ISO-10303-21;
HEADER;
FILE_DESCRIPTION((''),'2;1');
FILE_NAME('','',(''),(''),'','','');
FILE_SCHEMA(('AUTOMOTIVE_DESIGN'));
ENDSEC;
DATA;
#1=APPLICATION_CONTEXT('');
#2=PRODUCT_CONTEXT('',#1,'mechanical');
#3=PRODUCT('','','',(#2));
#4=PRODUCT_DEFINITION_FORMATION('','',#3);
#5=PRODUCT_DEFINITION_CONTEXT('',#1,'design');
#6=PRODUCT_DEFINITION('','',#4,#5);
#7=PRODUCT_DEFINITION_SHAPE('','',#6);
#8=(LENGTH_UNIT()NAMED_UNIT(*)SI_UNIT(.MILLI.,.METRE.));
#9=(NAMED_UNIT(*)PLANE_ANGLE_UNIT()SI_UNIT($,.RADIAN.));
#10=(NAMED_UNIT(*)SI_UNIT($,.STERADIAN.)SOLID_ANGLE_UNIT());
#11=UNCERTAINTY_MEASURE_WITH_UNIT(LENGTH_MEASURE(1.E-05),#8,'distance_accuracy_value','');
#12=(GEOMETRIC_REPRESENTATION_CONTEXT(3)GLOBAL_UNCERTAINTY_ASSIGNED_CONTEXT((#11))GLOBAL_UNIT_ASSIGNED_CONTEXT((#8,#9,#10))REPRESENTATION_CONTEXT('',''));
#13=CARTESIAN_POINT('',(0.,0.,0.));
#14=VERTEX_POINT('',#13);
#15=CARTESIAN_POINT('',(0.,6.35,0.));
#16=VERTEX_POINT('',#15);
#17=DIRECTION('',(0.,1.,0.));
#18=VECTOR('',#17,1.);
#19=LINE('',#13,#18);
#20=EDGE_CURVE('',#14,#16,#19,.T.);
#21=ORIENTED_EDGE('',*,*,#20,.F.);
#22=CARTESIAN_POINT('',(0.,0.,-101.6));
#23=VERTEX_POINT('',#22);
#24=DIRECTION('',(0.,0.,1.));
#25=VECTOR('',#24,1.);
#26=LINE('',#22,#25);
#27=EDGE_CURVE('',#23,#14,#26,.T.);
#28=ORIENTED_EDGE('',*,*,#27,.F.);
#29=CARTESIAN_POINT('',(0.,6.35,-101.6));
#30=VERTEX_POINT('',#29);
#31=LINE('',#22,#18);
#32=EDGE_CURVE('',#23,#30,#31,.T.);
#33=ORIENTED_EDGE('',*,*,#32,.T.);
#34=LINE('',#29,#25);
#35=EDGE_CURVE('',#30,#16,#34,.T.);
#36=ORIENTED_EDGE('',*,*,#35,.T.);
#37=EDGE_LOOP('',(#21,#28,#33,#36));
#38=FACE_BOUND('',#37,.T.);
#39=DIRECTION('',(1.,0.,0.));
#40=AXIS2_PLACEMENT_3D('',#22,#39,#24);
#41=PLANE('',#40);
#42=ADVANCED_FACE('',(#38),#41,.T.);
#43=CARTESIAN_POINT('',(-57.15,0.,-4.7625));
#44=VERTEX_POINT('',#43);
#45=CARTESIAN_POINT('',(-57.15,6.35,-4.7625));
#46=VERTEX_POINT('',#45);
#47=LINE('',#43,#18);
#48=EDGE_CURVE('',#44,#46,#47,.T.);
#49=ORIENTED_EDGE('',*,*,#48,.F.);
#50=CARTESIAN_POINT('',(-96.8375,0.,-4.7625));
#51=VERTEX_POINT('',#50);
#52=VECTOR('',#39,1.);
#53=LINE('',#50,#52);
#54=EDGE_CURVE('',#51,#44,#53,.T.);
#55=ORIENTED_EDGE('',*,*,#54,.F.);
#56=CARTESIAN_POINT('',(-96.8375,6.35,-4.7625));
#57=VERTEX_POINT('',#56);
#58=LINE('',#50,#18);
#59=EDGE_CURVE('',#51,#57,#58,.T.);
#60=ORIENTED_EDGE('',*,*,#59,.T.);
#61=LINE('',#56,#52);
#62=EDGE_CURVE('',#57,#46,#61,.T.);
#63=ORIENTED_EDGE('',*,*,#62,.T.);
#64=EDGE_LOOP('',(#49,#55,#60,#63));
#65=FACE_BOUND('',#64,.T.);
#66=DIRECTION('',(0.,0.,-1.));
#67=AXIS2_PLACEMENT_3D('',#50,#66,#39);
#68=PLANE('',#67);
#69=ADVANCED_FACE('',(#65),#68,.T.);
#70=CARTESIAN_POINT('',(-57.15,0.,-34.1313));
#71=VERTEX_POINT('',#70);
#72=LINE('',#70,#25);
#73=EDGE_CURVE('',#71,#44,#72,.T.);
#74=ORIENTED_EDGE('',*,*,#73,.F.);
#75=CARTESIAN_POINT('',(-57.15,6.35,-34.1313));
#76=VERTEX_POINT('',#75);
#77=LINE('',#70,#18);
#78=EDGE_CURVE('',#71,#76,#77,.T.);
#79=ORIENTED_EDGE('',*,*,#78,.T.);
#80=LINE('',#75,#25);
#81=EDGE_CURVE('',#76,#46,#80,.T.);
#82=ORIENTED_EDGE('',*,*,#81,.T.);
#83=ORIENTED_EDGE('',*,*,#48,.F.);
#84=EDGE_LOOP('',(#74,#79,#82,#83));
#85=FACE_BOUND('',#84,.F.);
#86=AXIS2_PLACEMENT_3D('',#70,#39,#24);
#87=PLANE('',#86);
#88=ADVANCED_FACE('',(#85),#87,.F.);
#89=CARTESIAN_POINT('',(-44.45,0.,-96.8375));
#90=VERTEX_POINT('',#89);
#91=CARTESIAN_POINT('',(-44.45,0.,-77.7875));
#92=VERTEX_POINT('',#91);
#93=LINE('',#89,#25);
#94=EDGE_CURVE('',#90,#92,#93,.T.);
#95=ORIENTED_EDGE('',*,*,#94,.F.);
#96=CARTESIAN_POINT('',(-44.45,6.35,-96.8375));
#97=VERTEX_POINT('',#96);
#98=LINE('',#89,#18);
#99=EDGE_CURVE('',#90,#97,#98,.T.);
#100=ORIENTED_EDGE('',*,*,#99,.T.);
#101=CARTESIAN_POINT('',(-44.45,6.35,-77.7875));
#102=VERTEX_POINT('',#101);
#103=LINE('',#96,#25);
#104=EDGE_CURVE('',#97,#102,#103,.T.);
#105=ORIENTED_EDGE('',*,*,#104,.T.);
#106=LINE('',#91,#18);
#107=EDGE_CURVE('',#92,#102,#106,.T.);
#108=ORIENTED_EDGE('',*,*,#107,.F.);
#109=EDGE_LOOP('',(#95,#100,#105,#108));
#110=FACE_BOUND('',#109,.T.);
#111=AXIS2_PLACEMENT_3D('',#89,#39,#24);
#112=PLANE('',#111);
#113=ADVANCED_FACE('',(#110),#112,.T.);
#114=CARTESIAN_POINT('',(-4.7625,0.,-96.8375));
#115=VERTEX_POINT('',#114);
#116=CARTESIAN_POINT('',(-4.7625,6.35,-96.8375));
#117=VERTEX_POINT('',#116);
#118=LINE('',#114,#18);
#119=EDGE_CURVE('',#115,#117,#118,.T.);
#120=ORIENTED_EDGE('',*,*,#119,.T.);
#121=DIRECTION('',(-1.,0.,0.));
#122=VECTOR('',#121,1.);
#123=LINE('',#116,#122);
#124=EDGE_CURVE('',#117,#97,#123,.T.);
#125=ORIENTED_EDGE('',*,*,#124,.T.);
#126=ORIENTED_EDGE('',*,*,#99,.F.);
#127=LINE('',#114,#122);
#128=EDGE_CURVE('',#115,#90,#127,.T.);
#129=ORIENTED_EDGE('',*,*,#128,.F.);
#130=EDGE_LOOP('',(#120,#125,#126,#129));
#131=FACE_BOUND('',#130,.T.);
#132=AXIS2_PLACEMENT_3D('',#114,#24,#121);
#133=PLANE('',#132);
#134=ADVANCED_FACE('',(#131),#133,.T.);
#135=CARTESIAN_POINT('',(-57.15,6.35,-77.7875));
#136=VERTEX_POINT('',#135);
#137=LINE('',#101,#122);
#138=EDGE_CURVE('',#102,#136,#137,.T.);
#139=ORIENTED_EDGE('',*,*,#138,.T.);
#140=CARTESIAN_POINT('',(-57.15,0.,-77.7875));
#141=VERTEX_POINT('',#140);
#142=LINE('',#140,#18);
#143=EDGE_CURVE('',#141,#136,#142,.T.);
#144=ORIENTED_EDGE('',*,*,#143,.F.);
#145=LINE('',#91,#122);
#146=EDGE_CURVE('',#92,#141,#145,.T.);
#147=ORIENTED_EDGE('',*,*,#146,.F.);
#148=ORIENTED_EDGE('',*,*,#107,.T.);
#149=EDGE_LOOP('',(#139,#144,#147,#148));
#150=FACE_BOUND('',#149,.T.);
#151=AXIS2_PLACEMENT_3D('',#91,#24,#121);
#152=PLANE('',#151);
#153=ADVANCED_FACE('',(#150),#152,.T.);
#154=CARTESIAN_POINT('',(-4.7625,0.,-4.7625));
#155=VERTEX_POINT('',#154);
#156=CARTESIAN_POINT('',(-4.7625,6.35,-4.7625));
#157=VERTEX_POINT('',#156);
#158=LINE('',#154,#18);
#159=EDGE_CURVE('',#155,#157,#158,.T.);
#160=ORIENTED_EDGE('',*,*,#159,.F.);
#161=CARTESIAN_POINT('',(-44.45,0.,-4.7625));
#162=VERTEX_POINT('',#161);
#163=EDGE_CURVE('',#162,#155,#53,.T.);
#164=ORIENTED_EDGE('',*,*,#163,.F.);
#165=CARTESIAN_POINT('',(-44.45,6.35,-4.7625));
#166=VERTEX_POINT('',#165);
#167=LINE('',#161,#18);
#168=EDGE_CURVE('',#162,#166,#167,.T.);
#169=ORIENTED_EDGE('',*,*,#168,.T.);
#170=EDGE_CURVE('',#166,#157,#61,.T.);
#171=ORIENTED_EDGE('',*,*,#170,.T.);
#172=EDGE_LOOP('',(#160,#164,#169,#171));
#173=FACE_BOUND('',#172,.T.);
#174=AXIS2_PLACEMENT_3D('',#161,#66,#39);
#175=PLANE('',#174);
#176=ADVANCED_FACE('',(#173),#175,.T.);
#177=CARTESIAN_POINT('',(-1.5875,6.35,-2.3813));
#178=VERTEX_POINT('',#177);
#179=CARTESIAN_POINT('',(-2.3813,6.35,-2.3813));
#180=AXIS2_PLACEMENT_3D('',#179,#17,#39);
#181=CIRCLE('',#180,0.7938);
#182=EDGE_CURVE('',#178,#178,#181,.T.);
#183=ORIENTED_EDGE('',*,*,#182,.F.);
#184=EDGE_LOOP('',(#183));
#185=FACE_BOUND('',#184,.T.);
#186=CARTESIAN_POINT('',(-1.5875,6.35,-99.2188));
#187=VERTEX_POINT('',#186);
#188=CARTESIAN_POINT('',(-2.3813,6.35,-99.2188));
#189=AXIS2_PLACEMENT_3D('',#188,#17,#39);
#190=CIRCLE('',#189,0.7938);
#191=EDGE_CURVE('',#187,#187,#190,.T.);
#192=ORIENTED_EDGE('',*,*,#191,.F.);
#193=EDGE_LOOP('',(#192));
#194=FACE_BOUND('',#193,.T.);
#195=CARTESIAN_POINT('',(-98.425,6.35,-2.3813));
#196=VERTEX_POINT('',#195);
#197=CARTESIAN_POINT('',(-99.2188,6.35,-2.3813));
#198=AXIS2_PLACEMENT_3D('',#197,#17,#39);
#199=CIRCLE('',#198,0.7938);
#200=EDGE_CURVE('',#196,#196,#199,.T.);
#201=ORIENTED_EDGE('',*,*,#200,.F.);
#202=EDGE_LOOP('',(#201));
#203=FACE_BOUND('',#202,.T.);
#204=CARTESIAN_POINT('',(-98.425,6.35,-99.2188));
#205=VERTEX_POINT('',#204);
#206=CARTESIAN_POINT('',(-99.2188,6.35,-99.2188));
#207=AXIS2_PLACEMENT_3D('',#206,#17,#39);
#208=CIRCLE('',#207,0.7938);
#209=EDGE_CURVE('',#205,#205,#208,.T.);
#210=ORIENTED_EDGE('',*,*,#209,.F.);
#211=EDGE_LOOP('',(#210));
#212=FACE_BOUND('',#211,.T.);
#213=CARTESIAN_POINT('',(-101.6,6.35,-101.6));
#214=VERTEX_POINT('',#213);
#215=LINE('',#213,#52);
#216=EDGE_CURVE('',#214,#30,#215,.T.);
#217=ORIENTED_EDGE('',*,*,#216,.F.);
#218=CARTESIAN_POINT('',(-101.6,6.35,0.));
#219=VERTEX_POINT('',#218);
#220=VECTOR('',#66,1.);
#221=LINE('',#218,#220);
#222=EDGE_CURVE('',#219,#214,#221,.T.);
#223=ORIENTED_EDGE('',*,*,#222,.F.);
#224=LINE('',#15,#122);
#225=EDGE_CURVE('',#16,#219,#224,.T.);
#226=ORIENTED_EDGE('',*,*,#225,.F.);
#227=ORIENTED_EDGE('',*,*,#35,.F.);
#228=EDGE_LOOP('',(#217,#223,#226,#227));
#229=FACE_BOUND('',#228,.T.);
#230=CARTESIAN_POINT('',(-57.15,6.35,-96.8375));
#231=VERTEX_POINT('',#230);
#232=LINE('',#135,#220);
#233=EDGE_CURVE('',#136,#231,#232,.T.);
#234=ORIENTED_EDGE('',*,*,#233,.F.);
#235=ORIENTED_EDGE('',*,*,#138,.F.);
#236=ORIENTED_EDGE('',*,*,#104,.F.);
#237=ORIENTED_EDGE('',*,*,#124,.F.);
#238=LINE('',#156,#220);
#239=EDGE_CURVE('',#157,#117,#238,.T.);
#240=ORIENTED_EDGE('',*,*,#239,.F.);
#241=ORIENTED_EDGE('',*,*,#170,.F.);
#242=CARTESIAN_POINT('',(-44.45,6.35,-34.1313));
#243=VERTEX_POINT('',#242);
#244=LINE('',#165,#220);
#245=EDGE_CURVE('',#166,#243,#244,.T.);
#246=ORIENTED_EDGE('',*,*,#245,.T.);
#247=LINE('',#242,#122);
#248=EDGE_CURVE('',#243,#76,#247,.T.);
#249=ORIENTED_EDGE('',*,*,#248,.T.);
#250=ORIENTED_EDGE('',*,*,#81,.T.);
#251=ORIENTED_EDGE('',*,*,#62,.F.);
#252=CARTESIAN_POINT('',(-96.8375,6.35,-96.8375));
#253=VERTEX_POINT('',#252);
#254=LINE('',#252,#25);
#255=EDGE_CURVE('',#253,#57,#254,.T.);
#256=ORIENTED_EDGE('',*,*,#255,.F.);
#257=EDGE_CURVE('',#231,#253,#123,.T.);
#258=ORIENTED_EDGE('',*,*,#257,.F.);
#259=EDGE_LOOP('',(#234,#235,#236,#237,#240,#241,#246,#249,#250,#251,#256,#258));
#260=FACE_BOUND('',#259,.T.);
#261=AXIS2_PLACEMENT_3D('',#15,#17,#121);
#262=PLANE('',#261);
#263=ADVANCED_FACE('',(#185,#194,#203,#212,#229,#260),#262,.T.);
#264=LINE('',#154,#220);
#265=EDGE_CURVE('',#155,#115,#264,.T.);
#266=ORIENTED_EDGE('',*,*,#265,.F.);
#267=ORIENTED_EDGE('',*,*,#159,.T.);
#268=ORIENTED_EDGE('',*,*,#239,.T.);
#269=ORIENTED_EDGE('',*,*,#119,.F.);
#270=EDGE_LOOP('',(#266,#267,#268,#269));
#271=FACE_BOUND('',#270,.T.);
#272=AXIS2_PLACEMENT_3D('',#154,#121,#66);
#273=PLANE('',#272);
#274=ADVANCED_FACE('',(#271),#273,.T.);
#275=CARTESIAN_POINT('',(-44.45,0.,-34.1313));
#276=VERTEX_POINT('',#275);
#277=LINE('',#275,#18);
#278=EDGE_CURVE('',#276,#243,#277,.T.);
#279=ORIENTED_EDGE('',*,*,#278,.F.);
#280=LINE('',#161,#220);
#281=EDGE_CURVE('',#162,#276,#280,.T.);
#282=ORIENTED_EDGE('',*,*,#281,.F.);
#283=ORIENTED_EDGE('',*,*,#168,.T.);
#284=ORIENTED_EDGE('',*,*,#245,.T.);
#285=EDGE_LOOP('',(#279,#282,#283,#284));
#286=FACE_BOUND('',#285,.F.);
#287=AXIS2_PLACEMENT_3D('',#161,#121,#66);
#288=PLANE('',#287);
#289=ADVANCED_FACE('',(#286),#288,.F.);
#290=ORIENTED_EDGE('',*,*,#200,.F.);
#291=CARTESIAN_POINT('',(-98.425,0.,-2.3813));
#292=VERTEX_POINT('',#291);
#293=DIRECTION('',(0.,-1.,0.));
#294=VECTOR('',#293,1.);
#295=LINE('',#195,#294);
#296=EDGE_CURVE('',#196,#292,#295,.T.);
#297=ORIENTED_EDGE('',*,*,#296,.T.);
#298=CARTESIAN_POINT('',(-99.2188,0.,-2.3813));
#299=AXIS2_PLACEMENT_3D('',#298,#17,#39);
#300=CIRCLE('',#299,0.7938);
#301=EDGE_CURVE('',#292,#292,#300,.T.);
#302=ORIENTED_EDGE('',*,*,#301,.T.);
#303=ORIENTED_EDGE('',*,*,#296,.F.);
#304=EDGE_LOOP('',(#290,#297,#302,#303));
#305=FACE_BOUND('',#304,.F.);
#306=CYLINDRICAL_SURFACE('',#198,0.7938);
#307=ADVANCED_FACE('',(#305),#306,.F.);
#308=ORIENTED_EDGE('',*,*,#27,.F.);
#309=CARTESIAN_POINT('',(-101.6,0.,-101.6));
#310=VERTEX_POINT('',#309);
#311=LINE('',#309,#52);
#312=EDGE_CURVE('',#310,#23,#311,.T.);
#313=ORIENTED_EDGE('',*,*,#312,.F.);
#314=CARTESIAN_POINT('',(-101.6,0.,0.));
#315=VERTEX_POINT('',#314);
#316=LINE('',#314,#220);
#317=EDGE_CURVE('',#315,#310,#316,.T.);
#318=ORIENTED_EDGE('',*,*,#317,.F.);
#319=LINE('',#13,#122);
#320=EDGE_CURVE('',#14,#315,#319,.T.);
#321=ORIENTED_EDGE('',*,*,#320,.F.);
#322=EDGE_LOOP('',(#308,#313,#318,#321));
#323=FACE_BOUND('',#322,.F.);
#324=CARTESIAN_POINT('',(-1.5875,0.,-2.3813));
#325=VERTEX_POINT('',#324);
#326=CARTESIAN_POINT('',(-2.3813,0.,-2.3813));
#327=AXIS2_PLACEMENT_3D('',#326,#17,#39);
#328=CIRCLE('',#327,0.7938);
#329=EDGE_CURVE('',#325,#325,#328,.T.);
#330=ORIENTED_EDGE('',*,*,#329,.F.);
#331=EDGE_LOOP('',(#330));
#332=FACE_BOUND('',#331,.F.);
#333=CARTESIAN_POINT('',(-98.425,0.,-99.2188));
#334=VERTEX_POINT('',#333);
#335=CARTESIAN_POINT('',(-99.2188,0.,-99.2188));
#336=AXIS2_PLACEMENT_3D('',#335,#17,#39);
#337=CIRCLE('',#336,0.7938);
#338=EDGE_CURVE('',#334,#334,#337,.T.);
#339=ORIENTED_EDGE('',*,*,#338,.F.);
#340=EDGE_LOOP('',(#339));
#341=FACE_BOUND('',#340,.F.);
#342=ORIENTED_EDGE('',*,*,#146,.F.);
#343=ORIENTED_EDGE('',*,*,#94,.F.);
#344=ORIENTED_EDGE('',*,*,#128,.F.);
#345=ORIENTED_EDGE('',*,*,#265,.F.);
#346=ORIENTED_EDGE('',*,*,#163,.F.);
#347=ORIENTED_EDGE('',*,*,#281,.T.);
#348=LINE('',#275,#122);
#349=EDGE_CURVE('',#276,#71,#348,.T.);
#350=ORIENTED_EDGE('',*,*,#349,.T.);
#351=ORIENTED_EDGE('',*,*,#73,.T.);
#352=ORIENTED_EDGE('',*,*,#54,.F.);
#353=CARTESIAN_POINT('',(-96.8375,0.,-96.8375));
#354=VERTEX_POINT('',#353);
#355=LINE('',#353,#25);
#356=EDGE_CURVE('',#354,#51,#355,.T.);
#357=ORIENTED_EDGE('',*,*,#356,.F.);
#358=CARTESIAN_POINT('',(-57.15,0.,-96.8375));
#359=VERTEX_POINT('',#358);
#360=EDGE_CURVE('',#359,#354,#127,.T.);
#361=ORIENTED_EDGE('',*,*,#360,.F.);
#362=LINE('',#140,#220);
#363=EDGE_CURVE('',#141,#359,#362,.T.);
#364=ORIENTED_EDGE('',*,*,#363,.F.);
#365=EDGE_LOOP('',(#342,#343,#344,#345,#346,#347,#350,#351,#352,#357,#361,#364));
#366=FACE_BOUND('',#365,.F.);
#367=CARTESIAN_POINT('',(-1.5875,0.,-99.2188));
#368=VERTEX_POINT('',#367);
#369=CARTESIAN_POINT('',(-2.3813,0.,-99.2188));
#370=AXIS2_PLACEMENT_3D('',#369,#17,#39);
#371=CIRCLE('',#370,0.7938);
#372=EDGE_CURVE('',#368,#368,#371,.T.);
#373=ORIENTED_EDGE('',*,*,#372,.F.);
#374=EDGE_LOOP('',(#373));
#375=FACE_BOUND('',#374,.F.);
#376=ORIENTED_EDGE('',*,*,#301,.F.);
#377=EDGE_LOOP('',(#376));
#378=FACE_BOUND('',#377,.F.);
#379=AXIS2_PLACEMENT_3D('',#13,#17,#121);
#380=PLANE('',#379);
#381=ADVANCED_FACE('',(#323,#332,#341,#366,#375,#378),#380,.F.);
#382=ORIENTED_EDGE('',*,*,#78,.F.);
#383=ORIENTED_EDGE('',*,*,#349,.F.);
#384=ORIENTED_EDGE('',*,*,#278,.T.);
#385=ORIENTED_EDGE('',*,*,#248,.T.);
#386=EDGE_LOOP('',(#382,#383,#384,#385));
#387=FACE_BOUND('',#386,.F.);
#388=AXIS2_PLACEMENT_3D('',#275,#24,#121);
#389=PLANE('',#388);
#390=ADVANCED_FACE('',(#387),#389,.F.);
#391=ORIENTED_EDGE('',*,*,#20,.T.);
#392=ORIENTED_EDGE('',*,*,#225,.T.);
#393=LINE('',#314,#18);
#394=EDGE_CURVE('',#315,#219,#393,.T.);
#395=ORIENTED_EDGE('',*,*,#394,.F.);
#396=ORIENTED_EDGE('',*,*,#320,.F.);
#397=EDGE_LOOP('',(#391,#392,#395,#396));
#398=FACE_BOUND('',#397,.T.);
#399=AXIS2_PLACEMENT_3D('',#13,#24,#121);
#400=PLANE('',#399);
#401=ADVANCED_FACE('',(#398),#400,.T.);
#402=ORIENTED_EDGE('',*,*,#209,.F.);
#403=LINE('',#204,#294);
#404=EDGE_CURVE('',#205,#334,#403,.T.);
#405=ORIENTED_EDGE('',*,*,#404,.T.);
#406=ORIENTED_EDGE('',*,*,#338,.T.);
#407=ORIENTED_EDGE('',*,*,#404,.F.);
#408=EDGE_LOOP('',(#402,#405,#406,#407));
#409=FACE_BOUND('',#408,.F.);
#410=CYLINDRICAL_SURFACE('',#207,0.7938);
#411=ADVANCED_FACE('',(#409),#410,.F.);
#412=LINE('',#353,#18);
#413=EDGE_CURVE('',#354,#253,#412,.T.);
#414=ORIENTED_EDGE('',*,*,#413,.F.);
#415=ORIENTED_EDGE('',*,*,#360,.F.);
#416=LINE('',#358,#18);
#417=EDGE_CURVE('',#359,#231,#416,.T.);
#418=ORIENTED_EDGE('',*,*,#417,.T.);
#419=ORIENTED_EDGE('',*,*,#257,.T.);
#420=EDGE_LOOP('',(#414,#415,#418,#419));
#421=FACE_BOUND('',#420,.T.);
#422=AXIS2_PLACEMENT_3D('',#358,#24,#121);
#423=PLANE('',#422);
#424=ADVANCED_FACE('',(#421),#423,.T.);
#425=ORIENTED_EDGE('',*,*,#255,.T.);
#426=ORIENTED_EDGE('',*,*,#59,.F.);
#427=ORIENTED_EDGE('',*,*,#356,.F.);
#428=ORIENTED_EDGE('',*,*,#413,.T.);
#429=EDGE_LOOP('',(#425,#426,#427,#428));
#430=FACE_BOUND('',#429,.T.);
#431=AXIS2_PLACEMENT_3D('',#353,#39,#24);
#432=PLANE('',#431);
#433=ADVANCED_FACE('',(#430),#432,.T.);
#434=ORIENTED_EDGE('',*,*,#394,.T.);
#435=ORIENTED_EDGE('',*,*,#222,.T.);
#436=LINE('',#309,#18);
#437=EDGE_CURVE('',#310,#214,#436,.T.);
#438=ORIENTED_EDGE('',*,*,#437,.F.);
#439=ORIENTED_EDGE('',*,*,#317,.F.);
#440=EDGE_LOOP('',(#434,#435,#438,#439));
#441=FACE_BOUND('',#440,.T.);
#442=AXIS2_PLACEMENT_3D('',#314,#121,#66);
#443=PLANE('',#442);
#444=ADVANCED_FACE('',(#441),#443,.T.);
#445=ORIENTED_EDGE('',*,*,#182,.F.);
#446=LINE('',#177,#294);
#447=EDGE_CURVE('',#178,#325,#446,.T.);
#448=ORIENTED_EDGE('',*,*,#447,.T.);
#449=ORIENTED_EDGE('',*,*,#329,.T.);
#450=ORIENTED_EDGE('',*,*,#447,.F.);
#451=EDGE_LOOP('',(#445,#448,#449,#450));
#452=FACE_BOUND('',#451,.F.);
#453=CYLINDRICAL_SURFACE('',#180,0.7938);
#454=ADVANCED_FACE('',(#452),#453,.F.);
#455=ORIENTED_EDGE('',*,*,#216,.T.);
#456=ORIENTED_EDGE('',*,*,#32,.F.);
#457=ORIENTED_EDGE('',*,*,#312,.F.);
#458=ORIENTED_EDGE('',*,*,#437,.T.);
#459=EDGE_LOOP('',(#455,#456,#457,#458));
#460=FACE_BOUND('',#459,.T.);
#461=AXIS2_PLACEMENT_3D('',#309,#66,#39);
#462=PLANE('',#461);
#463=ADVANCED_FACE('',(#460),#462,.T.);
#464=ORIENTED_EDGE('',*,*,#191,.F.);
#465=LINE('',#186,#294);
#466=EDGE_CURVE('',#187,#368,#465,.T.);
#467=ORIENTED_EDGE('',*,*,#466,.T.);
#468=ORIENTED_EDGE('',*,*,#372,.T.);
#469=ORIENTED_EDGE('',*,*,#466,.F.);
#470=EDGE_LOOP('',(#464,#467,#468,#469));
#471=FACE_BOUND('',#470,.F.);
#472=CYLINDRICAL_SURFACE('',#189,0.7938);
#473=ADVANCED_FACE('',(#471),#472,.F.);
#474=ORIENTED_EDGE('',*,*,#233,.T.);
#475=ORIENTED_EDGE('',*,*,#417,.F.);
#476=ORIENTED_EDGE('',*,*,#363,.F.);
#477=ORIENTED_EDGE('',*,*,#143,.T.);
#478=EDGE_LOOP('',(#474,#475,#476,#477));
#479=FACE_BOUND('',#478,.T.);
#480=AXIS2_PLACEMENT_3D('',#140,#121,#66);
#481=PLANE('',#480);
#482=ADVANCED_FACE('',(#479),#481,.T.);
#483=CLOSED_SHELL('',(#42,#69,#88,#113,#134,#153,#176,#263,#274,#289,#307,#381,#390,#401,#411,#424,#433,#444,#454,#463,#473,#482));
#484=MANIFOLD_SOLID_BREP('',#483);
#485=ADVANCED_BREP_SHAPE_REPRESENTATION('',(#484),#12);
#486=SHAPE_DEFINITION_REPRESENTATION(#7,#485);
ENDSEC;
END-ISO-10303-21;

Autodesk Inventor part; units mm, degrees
ref_plane "YZ Plane" through (0, 0, 0) normal (1, 0, 0) x (0, 1, 0)
ref_plane "XZ Plane" through (0, 0, 0) normal (0, 1, 0) x (-1, 0, 0)
ref_plane "XY Plane" through (0, 0, 0) normal (0, 0, 1) x (1, 0, 0)
sketch "Sketch1" plane through (0, 0, 0) normal (0, 1, 0) x (-1, 0, 0)
  line L0 (0, 0) -> (101.6, 0)
  line L1 (101.6, 0) -> (101.6, -101.6)
  line L2 (101.6, -101.6) -> (0, -101.6)
  line L3 (0, -101.6) -> (0, 0)
  line L4 (4.7625, -96.8375) -> (96.8375, -96.8375)
  line L5 (96.8375, -96.8375) -> (96.8375, -4.7625)
  line L6 (96.8375, -4.7625) -> (4.7625, -4.7625)
  line L7 (4.7625, -4.7625) -> (4.7625, -96.8375)
  line L8 (57.15, -4.7625) -> (44.45, -4.7625)
  line L9 (44.45, -4.7625) -> (44.45, -34.1313)
  line L10 (44.45, -34.1313) -> (57.15, -34.1313)
  line L11 (57.15, -34.1313) -> (57.15, -4.7625)
  line L12 (57.15, -96.8375) -> (44.45, -96.8375)
  line L13 (44.45, -96.8375) -> (44.45, -77.7875)
  line L14 (44.45, -77.7875) -> (57.15, -77.7875)
  line L15 (57.15, -77.7875) -> (57.15, -96.8375)
  line L16 (57.15, -34.1312) -> (44.45, -34.1312)
  line L17 (44.45, -34.1312) -> (44.45, -57.15) construction
  line L18 (44.45, -57.15) -> (57.15, -57.15) construction
  line L19 (57.15, -57.15) -> (57.15, -34.1312) construction
  point P0 (50.8, -50.8)
  point P1 (0, -50.8)
  point P2 (50.8, 0)
  point P3 (50.8, -4.7625)
  point P4 (50.8, -4.7625)
  point P5 (50.8, -96.8375)
  point P6 (50.8, -96.8375)
  point P7 (50.8, -34.1312)
  point P8 (50.8, -34.1313)
  point P9 (50.8, -50.8)
  point P10 (50.8, -57.15)
  dimension "d0" = 101.6
  dimension "d1" = 101.6
  dimension "d2" = 4.7625
  dimension "d13" = 12.7
  dimension "d15" = 29.3687
  dimension "d16" = 12.7
  dimension "d17" = 23.0188
  dimension "d18" = 6.35
  dimension "d33" = 19.05
extrude "Extrusion1" add sketch "Sketch1" along normal blind 6.35 contours L0 L1 L2 L3 | L13 L14 L15 L4 | L6 L11 L10 L9
sketch "Sketch2" plane through (0, 6.35, 0) normal (0, 1, 0) x (1, 0, 0)
  line L0 (0, 101.6) -> (-101.6, 101.6) projected
  line L1 (-101.6, 101.6) -> (-101.6, 0) projected
  line L2 (-101.6, 0) -> (0, 0) projected
  line L3 (0, 0) -> (0, 101.6) projected
  circle A0 centre (-99.2188, 99.2188) radius 0.7938
  circle A1 centre (-99.2188, 2.3813) radius 0.7938
  circle A2 centre (-2.3813, 99.2188) radius 0.7938
  circle A3 centre (-2.3813, 2.3813) radius 0.7938
  dimension "d20" = 1.5875
  dimension "d21" = 2.3813
  dimension "d22" = 2.3813
  dimension "d25" = 96.8375
  dimension "d28" = 96.8375
extrude "Extrusion2" cut sketch "Sketch2" against normal blind 6.35 contours A0 | A1 | A2 | A3
sketch "Sketch3" plane through (0, 6.35, 0) normal (0, 1, 0) x (1, 0, 0)
  circle A0 centre (-99.2188, 99.2188) radius 0.7938 projected
  circle A1 centre (-99.2188, 2.3813) radius 0.7938 projected
  circle A2 centre (-2.3813, 99.2188) radius 0.7938 projected
  circle A3 centre (-2.3813, 2.3813) radius 0.7938 projected
  line L0 (0, 101.6) -> (-101.6, 101.6) projected
  line L1 (-101.6, 101.6) -> (-101.6, 0) projected
  line L2 (-101.6, 0) -> (0, 0) projected
  line L3 (0, 0) -> (0, 101.6) projected
  line L4 (-96.8375, 4.7625) -> (-96.8375, 96.8375) projected
  line L5 (-96.8375, 96.8375) -> (-57.15, 96.8375) projected
  line L6 (-57.15, 96.8375) -> (-57.15, 77.7875) projected
  line L7 (-57.15, 77.7875) -> (-44.45, 77.7875) projected
  line L8 (-44.45, 77.7875) -> (-44.45, 96.8375) projected
  line L9 (-44.45, 96.8375) -> (-4.7625, 96.8375) projected
  line L10 (-4.7625, 96.8375) -> (-4.7625, 4.7625) projected
  line L11 (-4.7625, 4.7625) -> (-44.45, 4.7625) projected
  line L12 (-44.45, 4.7625) -> (-44.45, 34.1313) projected
  line L13 (-44.45, 34.1313) -> (-57.15, 34.1313) projected
  line L14 (-57.15, 34.1313) -> (-57.15, 4.7625) projected
  line L15 (-57.15, 4.7625) -> (-96.8375, 4.7625) projected
properties part number "Layer 2"
